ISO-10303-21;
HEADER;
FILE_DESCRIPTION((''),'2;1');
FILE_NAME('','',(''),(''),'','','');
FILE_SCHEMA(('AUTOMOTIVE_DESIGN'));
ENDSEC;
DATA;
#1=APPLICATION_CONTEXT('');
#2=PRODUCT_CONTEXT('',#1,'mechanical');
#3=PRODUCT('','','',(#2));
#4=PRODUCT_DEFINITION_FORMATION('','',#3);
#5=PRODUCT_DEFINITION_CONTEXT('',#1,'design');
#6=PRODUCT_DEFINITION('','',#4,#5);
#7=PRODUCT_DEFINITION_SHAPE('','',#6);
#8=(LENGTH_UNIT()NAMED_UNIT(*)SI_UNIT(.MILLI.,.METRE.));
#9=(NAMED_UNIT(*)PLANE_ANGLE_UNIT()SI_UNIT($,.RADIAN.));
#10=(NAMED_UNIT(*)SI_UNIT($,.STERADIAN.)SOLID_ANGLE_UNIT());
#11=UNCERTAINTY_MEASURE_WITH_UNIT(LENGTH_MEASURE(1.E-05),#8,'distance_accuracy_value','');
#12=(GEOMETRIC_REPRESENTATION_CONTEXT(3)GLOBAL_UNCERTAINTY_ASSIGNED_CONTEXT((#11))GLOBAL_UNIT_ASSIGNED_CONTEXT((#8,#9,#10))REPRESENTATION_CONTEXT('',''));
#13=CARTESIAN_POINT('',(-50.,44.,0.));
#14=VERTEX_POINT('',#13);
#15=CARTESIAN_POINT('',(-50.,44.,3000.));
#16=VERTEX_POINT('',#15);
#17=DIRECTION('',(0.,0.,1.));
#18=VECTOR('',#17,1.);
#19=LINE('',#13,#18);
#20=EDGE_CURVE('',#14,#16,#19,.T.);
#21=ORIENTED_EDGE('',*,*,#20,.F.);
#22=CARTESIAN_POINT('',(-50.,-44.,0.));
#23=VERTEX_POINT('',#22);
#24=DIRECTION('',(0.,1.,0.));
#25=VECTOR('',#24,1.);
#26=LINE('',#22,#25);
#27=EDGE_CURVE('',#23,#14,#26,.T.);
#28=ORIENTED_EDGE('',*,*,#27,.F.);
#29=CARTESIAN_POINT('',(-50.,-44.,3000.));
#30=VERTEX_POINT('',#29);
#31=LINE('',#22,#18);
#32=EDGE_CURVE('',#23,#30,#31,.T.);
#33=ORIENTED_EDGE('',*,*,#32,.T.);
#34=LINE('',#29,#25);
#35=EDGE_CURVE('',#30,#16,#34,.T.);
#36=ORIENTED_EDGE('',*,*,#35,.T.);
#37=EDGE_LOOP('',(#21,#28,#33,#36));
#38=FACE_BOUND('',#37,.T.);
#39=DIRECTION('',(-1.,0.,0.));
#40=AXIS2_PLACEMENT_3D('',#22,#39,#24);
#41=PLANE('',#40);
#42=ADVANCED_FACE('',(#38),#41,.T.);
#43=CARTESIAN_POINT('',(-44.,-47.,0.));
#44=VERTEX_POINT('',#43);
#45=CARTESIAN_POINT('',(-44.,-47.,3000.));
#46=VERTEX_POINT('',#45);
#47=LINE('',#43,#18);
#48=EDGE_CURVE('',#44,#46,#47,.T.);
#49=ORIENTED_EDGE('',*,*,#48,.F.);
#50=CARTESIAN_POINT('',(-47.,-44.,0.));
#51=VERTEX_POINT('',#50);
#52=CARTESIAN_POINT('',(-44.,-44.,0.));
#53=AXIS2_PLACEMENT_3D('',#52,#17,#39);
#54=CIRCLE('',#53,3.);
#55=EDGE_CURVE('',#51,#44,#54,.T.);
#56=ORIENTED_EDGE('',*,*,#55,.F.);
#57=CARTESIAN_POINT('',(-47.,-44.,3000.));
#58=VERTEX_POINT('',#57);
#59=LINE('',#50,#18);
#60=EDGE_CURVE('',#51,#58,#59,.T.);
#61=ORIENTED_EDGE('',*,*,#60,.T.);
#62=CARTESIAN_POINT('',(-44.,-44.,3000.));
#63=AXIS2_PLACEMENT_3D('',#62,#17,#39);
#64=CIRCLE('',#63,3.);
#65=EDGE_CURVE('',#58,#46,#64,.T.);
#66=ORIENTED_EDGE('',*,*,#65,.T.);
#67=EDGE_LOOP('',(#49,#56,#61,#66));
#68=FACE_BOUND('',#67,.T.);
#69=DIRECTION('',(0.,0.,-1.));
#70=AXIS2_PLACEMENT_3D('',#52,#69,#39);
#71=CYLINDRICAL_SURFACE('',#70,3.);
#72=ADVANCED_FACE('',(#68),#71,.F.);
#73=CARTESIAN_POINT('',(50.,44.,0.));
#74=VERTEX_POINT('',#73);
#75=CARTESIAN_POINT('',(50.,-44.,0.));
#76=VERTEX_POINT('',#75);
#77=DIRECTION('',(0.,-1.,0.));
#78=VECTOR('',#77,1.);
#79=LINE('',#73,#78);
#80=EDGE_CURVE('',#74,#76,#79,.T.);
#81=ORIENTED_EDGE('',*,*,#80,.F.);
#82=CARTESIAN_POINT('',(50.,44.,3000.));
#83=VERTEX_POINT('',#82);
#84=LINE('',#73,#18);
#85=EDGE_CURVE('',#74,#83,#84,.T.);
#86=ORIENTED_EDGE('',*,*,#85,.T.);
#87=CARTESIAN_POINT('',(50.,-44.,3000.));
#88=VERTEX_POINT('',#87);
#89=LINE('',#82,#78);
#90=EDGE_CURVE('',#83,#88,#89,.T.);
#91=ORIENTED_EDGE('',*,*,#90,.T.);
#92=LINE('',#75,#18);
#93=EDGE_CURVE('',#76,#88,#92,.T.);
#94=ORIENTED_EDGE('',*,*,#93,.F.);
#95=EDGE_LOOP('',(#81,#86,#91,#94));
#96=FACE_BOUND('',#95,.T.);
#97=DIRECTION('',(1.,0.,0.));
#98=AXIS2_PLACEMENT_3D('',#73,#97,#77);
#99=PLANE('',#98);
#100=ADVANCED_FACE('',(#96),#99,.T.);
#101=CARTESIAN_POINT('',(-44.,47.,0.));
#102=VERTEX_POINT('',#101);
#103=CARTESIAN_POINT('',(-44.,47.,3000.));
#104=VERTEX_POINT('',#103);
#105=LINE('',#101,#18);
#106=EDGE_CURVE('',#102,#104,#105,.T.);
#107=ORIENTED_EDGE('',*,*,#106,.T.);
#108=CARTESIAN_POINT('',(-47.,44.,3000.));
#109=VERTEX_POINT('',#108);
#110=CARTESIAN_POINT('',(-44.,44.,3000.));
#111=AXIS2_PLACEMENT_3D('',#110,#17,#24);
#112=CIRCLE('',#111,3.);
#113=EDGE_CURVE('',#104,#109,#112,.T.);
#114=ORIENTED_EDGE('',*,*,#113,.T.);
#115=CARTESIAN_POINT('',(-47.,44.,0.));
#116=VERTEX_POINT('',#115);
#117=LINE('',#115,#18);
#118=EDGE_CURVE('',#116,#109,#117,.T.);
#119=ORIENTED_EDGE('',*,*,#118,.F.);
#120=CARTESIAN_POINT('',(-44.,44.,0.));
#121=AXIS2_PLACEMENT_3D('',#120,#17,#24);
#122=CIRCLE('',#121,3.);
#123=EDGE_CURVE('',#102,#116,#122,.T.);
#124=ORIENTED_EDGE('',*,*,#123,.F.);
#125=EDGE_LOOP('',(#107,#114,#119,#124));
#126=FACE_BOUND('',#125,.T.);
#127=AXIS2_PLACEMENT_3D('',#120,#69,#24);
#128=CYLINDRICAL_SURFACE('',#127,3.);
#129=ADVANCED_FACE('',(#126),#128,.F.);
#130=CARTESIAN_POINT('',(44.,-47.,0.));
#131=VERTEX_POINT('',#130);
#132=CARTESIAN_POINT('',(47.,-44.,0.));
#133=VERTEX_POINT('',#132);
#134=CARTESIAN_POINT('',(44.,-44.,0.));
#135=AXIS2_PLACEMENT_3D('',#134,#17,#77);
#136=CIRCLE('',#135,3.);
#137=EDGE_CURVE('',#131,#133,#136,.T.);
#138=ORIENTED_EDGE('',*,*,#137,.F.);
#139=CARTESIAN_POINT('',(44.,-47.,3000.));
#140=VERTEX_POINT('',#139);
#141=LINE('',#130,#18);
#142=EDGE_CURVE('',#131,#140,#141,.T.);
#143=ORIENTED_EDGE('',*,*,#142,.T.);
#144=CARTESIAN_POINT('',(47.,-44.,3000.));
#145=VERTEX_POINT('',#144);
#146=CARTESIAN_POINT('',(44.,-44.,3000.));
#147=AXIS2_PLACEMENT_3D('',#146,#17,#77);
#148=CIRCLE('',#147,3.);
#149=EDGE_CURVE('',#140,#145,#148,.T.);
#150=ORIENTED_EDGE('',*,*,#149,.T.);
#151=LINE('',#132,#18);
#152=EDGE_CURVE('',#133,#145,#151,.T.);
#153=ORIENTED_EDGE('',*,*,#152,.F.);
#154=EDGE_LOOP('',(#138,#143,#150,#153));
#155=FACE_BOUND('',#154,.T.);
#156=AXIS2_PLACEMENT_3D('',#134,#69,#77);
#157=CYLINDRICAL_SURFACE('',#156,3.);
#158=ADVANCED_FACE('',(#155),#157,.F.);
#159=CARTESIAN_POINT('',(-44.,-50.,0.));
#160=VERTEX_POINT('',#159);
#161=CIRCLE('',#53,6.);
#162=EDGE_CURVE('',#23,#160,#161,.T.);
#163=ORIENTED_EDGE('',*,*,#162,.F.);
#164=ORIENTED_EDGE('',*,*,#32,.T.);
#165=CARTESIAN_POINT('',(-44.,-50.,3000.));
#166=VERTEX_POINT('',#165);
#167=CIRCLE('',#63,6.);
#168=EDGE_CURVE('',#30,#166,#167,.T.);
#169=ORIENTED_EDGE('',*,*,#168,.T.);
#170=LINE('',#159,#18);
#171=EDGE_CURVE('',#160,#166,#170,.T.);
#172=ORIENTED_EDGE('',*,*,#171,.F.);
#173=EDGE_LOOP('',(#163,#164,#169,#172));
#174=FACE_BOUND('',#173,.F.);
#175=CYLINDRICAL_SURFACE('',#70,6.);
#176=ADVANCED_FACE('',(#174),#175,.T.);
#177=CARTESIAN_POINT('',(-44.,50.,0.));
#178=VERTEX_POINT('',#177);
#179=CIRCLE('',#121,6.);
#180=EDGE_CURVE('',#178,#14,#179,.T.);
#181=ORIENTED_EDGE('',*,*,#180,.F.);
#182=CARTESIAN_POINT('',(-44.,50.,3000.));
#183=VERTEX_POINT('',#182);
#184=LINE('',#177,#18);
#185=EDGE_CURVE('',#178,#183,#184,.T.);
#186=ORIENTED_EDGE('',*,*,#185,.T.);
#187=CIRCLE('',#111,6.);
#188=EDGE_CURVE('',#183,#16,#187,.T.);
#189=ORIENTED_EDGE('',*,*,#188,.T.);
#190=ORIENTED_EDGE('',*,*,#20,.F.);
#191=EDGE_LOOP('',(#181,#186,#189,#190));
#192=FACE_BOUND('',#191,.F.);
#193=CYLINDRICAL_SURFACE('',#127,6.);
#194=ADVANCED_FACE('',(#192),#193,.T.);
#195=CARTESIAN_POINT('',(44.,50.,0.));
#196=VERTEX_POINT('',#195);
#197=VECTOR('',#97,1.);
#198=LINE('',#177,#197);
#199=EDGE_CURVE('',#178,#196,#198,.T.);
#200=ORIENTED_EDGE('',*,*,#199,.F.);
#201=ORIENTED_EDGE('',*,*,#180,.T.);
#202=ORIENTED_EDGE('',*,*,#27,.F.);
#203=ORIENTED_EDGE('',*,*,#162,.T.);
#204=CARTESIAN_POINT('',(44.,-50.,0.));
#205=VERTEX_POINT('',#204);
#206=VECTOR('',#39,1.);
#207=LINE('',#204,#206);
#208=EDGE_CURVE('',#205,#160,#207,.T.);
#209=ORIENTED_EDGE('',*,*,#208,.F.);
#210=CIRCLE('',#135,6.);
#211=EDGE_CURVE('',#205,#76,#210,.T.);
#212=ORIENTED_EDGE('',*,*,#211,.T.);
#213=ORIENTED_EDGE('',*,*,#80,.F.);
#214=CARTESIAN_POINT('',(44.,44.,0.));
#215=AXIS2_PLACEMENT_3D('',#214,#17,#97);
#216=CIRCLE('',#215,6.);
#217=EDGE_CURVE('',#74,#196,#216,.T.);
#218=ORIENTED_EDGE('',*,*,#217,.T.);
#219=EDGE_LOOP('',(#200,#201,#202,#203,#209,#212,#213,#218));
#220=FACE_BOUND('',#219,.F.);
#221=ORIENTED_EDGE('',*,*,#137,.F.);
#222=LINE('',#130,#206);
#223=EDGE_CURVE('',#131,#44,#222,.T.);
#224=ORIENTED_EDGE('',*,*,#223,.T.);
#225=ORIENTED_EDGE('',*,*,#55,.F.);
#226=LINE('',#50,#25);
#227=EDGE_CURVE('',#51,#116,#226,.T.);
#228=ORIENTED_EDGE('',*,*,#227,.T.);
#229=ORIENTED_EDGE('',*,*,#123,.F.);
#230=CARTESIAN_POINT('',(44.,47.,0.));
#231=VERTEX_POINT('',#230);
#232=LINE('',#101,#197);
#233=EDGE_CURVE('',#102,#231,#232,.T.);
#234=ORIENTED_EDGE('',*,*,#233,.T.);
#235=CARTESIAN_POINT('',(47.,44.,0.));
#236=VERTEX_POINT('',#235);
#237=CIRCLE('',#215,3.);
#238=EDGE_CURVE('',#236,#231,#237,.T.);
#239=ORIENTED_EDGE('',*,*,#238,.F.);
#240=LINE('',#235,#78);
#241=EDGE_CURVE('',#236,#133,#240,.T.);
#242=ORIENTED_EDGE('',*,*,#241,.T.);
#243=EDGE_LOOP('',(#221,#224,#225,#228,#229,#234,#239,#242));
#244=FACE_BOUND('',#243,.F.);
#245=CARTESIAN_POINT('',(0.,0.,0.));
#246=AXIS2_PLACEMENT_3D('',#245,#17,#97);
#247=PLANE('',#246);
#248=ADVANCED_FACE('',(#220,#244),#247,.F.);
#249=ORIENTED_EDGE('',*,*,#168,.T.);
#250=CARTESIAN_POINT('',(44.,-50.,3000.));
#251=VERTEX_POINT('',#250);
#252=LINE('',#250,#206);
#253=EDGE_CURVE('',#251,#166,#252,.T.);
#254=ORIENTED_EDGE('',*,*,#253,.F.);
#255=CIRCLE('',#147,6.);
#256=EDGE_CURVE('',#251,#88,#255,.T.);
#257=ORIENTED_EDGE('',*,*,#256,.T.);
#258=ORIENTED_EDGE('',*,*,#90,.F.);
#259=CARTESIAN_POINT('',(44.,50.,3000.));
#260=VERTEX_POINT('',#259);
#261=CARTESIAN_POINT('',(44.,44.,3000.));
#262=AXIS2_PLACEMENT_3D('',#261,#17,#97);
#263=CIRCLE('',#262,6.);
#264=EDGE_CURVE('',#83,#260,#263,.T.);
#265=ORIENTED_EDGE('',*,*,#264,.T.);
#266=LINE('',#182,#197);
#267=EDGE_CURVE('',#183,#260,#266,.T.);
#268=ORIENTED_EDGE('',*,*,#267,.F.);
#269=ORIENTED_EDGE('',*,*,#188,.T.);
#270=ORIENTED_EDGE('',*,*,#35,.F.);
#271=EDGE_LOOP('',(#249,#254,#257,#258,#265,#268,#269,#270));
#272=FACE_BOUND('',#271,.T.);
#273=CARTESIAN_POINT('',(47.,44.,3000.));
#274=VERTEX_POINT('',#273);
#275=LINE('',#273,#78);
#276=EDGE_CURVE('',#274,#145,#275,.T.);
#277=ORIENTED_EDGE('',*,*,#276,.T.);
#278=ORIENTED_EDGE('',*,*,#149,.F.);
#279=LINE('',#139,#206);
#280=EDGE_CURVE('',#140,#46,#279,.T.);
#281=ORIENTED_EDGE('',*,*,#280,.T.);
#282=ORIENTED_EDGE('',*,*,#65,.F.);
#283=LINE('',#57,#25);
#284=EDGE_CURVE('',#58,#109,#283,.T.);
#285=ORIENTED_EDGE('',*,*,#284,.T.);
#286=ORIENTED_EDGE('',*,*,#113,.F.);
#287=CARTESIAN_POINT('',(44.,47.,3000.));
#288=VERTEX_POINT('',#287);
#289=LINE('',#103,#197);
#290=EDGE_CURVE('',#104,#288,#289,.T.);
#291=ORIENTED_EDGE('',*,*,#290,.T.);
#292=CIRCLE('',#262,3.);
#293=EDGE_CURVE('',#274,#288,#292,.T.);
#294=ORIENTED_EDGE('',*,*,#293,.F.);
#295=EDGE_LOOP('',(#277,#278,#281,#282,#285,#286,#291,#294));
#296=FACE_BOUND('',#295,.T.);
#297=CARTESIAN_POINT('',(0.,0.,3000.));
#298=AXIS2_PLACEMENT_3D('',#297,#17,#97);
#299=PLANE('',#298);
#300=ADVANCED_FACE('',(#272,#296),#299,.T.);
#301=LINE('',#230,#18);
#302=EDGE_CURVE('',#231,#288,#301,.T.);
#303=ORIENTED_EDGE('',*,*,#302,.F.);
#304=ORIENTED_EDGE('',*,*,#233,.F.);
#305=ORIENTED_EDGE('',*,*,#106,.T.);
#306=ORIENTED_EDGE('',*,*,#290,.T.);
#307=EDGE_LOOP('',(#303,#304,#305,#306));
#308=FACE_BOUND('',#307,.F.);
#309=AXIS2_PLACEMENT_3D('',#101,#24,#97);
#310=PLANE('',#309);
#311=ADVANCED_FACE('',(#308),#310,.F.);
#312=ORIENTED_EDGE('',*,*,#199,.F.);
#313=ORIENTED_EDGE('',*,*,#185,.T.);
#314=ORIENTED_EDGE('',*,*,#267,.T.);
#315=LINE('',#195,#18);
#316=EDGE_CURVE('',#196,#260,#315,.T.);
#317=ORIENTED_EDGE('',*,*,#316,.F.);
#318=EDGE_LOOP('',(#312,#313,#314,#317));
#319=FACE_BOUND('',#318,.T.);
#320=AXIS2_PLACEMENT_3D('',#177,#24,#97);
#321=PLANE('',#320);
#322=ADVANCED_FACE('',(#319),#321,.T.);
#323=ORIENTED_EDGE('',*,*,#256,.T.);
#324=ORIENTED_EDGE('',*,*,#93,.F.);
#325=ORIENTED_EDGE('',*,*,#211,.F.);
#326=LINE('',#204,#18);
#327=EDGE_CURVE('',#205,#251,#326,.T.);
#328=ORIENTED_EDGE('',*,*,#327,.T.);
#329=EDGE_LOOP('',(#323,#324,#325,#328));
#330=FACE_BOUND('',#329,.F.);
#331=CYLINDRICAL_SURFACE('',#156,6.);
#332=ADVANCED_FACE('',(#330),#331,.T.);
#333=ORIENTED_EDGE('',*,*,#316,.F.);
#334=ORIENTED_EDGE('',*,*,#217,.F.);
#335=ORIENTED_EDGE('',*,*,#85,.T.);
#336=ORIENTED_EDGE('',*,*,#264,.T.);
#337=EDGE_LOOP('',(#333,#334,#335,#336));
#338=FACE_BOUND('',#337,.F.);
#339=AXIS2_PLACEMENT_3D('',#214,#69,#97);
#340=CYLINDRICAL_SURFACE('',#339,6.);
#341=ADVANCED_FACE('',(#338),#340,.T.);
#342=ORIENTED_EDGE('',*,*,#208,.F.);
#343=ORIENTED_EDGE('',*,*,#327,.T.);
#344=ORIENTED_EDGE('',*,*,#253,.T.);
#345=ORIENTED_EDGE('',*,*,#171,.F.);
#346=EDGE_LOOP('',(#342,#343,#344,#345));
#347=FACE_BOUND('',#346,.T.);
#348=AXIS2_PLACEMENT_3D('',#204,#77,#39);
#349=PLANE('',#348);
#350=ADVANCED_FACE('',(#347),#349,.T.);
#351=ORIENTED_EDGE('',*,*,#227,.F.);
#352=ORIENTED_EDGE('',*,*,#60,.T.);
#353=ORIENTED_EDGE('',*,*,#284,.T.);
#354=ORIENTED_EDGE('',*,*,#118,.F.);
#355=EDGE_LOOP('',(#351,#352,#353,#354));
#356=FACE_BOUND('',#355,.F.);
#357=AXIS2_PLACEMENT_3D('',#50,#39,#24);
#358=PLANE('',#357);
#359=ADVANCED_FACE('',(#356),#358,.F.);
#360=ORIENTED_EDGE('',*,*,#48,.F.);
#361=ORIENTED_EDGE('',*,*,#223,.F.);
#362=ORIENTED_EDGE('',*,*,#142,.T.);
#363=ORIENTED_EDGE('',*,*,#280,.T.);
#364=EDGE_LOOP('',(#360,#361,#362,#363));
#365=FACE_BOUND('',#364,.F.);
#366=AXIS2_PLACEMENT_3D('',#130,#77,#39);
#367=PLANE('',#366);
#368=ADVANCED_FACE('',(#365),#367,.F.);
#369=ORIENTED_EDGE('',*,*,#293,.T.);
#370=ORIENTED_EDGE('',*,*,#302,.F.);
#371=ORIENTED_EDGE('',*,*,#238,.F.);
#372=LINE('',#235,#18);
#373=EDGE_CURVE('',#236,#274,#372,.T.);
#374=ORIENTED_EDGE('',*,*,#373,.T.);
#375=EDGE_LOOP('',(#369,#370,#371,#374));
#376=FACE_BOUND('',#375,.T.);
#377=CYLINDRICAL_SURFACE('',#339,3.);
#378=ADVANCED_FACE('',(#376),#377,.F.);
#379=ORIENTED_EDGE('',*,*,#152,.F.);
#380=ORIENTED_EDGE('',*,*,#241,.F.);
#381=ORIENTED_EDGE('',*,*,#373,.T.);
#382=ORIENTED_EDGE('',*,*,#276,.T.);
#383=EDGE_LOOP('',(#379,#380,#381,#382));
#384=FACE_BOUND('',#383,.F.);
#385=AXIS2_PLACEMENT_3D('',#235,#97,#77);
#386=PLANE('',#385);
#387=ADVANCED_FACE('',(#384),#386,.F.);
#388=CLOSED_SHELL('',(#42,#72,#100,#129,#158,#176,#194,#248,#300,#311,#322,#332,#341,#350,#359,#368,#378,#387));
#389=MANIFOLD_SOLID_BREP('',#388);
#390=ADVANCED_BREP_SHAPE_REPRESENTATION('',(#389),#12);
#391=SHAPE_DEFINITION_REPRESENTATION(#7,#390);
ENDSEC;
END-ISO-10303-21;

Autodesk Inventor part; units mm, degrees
ref_plane "YZ Plane" through (0, 0, 0) normal (1, 0, 0) x (0, 1, 0)
ref_plane "Start Plane" through (0, 0, 0) normal (0, 0, 1) x (1, 0, 0)
ref_plane "End Plane" through (0, 0, 3000) normal (0, 0, 1) x (1, 0, 0)
sketch "Sketch" plane through (0, 0, 0) normal (0, 0, 1) x (1, 0, 0)
  line L0 (-50, -44) -> (-50, 44)
  line L1 (-44, 50) -> (44, 50)
  line L2 (50, 44) -> (50, -44)
  line L3 (44, -50) -> (-44, -50)
  arc A0 (-50, -44) -> (-44, -50) centre (-44, -44) ccw
  arc A1 (50, 44) -> (44, 50) centre (44, 44) ccw
  arc A2 (-44, 50) -> (-50, 44) centre (-44, 44) ccw
  arc A3 (44, -50) -> (50, -44) centre (44, -44) ccw
  arc A4 (-44, 47) -> (-47, 44) centre (-44, 44) ccw
  line L4 (-44, 47) -> (44, 47)
  arc A5 (47, 44) -> (44, 47) centre (44, 44) ccw
  line L5 (47, 44) -> (47, -44)
  arc A6 (44, -47) -> (47, -44) centre (44, -44) ccw
  line L6 (44, -47) -> (-44, -47)
  arc A7 (-47, -44) -> (-44, -47) centre (-44, -44) ccw
  line L7 (-47, -44) -> (-47, 44)
  line L8 (0, 71.7397) -> (0, -71.7397) construction
  line L9 (-71.7397, 0) -> (71.7397, 0) construction
  dimension "d7" = 6
  dimension "d9" = 100
  dimension "d11" = 100
  dimension "d12" = 3
  dimension "d15" = 50
  dimension "d16" = 50
extrude "Body" add sketch "Sketch" along normal up to surface (3000 mm away) from surface at 0
sketch "Sketch3" plane through (0, 0, 0) normal (0, 0, 1) x (1, 0, 0)
  line L0 (0, 0) -> (10, 0)
ref_plane "Work Plane3" through (0, 0, 0) normal (0, -1, 0) x (1, 0, 0)
sketch "Sketch4" plane through (0, 0, 0) normal (0, -1, 0) x (1, 0, 0)
  line L0 (-2, 0) -> (12, 0) projected
  line L1 (-2, 3000) -> (12, 3000) projected
  dimension "d18" = 3000
equation "\"d7\" = G_IR"
equation "\"d9\" = G_W"
equation "\"d11\" = G_H"
equation "\"d12\" = G_T"
equation "\"d15\" = 0.5 * d9"
equation "\"d16\" = 0.5 * d11"
equation "\"d3\" = G_L"
equation "\"G_W\" = 100"
equation "\"G_H\" = 100"
equation "\"G_T\" = 3"
equation "\"G_IR\" = 6"
equation "\"G_L\" = d18"
equation "\"G_OFFSET_START\" = 0"
equation "\"G_OFFSET_END\" = 0"
properties part number "ISO 10799-2 - 100x100x3 - 3000" material "Steel, Mild"
